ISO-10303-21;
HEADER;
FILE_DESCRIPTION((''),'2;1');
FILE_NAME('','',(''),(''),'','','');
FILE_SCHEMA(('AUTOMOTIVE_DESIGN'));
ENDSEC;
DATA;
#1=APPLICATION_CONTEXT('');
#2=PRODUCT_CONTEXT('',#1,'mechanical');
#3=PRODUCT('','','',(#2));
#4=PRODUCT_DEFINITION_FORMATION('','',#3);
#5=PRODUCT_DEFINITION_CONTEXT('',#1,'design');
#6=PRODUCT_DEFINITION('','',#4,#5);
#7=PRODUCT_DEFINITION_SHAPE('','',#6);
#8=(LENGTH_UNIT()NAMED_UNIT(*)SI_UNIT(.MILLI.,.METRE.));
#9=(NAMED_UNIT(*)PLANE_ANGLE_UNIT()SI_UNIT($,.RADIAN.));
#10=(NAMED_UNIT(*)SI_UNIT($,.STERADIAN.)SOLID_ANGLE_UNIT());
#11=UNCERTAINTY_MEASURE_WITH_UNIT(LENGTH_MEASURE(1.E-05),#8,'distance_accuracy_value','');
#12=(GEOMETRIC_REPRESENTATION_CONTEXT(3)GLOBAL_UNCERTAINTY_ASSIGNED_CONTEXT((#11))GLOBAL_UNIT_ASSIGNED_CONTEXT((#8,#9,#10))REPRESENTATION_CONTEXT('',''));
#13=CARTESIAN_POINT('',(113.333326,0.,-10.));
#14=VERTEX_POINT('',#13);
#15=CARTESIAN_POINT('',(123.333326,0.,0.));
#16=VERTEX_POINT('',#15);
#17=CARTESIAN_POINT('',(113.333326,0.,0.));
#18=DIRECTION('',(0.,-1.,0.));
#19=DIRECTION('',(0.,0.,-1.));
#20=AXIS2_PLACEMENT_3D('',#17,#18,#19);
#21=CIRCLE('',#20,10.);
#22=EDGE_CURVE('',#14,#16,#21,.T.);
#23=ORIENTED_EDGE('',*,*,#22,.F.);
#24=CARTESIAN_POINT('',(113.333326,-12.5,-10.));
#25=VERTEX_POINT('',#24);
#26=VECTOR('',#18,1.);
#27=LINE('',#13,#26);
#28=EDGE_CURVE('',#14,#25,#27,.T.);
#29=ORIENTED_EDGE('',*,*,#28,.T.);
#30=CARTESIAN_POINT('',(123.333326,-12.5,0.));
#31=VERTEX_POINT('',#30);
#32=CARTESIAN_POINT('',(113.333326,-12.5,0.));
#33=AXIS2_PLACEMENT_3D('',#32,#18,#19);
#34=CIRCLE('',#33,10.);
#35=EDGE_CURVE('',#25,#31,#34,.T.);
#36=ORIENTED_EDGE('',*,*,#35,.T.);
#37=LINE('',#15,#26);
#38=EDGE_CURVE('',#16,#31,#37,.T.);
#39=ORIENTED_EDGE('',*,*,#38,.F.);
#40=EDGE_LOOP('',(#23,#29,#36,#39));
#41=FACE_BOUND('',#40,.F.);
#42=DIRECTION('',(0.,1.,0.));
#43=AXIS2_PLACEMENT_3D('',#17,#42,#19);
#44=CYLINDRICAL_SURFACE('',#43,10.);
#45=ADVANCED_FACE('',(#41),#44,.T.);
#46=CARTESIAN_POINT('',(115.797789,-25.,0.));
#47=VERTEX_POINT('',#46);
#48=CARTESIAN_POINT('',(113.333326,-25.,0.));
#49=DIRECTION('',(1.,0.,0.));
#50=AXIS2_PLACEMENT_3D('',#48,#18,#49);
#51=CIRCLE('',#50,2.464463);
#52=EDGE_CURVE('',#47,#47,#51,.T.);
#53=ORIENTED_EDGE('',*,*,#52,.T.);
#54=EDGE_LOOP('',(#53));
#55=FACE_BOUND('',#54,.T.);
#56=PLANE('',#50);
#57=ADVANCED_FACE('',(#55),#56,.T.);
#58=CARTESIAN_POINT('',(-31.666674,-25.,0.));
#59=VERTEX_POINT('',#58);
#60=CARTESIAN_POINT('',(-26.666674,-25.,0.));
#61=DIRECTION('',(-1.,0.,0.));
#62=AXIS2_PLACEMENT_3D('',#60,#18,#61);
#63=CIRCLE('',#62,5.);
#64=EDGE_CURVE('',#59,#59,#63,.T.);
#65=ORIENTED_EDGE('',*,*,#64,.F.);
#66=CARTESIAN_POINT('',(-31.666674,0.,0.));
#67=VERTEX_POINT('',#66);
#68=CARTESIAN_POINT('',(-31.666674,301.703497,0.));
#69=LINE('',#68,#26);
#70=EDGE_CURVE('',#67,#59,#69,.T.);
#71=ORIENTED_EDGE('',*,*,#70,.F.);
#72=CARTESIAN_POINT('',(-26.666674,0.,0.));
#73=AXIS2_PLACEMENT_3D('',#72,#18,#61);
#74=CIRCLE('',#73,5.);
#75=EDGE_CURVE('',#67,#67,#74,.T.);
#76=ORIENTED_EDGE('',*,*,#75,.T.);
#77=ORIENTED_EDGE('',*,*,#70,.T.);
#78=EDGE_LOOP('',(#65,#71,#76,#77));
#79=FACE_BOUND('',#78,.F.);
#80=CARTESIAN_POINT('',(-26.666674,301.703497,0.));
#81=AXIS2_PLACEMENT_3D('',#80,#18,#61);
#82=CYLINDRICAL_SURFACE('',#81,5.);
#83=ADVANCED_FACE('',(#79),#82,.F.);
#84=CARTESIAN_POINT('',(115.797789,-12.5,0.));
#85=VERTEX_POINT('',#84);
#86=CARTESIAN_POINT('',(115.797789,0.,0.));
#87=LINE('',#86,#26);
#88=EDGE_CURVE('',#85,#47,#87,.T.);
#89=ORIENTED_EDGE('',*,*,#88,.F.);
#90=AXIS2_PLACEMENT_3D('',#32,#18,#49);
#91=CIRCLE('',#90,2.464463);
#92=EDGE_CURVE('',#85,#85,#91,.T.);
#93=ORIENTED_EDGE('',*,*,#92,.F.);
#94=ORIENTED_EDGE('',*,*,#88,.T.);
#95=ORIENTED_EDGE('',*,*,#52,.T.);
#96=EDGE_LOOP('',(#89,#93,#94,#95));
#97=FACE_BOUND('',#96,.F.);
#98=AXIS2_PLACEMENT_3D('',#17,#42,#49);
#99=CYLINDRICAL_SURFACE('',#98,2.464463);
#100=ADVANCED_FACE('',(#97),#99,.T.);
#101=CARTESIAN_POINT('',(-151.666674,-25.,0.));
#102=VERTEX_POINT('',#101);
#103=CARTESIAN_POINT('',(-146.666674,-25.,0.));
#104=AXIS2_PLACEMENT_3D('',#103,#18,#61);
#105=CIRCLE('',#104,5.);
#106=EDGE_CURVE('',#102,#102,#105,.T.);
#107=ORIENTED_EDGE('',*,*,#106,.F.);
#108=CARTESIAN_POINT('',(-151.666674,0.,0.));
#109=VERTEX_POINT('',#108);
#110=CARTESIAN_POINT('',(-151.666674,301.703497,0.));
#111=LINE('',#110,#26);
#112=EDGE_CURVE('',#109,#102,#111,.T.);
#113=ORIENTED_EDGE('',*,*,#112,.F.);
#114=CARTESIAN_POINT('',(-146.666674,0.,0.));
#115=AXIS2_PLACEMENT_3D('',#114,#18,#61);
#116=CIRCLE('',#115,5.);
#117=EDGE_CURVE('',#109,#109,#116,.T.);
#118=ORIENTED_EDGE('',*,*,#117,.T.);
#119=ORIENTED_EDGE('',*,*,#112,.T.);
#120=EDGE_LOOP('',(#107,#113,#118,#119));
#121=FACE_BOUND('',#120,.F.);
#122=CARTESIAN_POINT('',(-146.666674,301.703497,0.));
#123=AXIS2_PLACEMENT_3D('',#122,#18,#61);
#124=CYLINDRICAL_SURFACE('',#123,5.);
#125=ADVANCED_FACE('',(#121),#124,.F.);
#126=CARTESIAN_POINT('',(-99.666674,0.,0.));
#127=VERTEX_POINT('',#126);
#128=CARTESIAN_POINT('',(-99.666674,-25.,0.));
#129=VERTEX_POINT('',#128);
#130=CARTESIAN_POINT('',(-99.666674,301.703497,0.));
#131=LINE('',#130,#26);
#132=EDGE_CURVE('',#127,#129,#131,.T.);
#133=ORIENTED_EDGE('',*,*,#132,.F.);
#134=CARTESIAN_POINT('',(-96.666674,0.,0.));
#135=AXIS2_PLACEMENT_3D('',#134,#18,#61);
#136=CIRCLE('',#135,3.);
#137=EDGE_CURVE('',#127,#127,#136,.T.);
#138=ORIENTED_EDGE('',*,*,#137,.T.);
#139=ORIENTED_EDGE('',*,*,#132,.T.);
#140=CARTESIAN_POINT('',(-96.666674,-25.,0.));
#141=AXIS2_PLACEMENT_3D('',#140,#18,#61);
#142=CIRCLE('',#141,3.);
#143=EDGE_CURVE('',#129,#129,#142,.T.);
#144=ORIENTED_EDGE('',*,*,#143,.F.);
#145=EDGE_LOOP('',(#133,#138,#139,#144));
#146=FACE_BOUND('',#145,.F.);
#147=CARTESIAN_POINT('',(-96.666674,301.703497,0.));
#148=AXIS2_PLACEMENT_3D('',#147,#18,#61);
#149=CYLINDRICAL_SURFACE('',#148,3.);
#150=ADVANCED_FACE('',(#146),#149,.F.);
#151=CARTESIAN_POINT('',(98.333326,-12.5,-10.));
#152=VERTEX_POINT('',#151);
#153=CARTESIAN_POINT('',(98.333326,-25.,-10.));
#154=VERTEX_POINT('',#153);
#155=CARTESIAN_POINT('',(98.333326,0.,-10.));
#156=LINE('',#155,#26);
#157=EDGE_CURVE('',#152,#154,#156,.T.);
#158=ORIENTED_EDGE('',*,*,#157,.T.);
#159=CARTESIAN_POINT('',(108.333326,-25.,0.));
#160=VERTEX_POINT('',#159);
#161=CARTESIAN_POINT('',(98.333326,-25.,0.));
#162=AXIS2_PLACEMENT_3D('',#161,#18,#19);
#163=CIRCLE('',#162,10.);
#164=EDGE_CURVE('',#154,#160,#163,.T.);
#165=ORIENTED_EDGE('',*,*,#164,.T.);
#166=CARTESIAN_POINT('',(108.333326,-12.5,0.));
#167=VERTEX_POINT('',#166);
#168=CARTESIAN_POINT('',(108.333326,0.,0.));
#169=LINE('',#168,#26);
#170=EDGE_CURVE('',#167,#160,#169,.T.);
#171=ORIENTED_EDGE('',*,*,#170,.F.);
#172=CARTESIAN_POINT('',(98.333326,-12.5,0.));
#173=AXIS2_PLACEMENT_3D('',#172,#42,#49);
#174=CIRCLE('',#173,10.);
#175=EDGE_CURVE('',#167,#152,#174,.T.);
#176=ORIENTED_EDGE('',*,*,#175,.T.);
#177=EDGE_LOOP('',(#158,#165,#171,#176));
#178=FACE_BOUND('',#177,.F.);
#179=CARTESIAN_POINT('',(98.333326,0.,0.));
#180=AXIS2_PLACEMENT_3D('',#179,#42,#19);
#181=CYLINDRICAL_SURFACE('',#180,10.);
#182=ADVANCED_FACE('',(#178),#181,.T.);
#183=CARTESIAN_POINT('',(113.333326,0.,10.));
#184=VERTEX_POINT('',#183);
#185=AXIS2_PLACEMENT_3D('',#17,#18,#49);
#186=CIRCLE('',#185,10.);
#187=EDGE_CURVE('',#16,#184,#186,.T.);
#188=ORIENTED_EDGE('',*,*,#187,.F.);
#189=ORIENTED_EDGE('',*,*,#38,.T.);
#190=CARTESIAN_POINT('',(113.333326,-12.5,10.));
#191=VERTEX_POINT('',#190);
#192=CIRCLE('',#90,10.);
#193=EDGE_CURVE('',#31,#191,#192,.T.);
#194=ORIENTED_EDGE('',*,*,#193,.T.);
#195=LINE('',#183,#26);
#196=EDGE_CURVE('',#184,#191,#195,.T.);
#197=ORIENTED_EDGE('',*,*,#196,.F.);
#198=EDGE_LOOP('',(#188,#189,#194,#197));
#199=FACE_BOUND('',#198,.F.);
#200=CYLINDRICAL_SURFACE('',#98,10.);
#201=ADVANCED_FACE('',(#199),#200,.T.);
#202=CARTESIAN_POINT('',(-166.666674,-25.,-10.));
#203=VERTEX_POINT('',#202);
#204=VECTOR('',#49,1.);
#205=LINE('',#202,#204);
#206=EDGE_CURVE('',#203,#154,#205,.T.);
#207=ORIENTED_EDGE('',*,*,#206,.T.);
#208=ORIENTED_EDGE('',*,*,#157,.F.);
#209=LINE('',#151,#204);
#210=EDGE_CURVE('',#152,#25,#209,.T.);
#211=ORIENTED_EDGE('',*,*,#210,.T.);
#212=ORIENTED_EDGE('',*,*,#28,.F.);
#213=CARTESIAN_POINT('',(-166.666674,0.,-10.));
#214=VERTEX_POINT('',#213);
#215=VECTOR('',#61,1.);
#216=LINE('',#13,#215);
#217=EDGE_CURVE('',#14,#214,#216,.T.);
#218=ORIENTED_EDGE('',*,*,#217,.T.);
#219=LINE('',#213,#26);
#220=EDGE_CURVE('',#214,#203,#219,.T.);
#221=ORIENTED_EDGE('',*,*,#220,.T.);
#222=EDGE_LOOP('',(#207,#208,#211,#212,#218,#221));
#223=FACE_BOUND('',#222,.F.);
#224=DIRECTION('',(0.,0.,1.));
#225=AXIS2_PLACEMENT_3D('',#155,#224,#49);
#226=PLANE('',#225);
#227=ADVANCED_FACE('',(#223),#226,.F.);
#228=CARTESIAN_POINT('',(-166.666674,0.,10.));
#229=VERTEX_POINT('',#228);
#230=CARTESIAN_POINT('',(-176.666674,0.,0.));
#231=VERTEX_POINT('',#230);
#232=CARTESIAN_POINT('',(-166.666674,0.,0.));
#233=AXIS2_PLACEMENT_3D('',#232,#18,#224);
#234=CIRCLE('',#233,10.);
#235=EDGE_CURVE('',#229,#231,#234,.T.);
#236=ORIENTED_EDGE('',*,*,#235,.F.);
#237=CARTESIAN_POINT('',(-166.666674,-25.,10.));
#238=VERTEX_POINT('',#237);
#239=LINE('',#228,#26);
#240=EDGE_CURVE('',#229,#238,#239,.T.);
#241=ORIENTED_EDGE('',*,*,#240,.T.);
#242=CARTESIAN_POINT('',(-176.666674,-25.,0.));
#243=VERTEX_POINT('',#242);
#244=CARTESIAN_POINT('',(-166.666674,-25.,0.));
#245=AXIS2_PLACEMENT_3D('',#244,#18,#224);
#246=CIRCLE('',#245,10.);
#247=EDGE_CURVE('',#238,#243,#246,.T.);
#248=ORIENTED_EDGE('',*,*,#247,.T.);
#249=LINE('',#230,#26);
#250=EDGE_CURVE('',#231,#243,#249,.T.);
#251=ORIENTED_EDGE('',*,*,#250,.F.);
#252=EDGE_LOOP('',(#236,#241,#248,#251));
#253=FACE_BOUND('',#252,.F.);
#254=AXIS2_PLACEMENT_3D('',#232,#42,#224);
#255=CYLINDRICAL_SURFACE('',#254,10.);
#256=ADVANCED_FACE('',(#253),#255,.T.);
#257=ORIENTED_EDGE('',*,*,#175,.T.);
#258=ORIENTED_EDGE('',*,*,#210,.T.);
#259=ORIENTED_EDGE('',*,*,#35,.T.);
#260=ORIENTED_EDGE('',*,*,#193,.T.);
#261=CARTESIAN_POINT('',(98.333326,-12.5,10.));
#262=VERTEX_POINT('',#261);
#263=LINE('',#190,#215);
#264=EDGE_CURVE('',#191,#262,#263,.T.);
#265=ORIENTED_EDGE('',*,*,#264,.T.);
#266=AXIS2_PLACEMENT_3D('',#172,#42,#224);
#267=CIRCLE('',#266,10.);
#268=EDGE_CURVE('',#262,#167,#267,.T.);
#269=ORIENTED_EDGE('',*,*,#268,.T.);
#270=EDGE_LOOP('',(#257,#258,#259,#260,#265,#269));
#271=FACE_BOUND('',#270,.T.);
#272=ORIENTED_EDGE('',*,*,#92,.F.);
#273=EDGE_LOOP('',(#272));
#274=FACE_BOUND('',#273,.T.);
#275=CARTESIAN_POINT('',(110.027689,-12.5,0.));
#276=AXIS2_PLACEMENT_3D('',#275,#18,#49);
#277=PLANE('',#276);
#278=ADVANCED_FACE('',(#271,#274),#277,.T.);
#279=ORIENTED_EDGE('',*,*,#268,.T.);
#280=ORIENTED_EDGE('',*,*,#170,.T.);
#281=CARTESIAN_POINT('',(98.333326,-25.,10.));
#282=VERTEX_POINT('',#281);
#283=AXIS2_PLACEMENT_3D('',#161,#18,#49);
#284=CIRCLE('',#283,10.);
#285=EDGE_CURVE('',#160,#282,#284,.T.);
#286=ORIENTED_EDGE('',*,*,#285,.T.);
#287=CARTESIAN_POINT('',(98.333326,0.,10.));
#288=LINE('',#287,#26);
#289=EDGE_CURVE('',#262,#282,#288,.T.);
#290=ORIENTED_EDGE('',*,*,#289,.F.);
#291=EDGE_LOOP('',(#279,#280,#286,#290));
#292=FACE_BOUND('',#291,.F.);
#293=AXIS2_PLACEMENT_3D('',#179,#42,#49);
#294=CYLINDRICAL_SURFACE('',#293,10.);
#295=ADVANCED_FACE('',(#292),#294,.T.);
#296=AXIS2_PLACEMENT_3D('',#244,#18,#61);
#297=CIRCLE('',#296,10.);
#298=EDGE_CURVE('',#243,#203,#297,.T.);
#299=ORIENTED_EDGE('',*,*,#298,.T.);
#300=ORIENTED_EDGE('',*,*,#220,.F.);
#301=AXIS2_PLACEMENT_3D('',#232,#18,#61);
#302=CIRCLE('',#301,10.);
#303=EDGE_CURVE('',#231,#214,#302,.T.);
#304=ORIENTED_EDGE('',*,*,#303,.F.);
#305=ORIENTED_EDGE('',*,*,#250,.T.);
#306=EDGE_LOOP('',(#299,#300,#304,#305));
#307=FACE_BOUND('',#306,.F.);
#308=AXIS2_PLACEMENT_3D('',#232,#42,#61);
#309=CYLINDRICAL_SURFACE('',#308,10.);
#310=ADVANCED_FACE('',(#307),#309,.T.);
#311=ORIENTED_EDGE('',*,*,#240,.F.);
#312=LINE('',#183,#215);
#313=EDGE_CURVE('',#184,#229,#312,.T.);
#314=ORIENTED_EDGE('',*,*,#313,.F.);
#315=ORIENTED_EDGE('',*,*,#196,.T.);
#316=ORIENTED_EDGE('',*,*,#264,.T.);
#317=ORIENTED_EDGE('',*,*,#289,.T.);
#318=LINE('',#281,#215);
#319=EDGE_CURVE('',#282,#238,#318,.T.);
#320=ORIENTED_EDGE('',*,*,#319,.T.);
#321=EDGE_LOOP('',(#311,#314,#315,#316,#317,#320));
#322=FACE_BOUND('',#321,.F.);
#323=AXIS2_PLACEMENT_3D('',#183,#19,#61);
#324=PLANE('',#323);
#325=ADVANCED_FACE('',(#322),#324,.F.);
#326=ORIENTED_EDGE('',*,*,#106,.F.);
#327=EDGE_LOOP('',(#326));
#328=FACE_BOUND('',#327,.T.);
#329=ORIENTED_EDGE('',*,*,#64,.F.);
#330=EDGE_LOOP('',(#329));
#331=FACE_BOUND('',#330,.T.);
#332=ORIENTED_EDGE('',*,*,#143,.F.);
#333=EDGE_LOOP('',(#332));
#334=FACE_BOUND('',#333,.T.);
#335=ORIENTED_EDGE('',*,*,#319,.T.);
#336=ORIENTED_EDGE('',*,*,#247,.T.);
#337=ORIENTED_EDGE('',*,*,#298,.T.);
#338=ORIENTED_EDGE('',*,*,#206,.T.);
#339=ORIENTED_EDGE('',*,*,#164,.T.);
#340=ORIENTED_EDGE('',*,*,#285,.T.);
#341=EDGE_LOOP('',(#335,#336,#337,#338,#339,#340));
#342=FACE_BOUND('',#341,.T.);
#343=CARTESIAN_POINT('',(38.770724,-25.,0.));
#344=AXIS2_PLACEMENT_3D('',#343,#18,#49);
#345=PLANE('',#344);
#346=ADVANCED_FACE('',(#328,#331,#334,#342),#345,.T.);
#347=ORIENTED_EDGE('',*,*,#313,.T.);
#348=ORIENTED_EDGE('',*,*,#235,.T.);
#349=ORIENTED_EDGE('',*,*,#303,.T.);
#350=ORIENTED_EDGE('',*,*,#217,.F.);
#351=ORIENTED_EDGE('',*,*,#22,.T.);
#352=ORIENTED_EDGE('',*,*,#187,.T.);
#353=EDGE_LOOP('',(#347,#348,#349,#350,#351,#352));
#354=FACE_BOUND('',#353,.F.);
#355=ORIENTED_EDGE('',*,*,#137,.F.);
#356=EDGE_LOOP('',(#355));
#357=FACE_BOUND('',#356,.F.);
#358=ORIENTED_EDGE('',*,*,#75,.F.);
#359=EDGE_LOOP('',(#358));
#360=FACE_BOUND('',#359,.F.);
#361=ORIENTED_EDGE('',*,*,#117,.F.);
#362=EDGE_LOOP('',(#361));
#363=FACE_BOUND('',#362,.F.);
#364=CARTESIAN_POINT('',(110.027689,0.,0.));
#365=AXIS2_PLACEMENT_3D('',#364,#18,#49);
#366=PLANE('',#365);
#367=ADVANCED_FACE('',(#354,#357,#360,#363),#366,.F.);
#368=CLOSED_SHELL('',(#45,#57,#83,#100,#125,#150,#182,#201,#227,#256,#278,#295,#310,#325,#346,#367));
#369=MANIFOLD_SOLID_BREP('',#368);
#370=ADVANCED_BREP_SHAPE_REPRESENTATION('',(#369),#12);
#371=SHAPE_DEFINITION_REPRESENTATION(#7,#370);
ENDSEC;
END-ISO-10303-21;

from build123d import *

# Parameters (mm, degrees)
F0_W     = 50
F0_H     = 10
F0_W_2   = 70
F1_DEPTH = 25
F0_R     = 2.4644634523
F2_DEPTH = 12.5
F3_D     = 10
F4_D     = 10
F5_D     = 6


with BuildPart() as f1:
    # F0 (on Front) → F1 (new body)
    with BuildSketch(Plane.XZ):
        with BuildLine():
            Line((98.3333257594, 10), (-26.6666742406, 10))
            Line((-26.6666742406, 10), (-26.6666742406, 0))
            Line((-26.6666742406, 0), (-26.6666742406, -10))
            Line((-26.6666742406, -10), (98.3333257594, -10))
            ThreePointArc((98.3333257594, -10), (105.4043935713, -7.0710678119), (108.3333257594, 0))
            ThreePointArc((108.3333257594, 0), (105.4043935713, 7.0710678119), (98.3333257594, 10))
        make_face()
        with BuildLine():
            Line((-146.6666742406, 10), (-166.6666742406, 10))
            ThreePointArc((-166.6666742406, 10), (-173.7377420524, 7.0710678119), (-176.6666742406, 0))
            Line((-176.6666742406, 0), (-146.6666742406, 0))
            Line((-146.6666742406, 0), (-146.6666742406, 10))
        make_face()
        with BuildLine():
            Line((-146.6666742406, 0), (-176.6666742406, 0))
            ThreePointArc((-176.6666742406, 0), (-173.7377420524, -7.0710678119), (-166.6666742406, -10))
            Line((-166.6666742406, -10), (-146.6666742406, -10))
            Line((-146.6666742406, -10), (-146.6666742406, 0))
        make_face()
        with Locations((-121.6666742406, -5)):
            Rectangle(F0_W, F0_H)
        with Locations((-61.6666742406, -5)):
            Rectangle(F0_W_2, F0_H)
        with Locations((-121.6666742406, 5)):
            Rectangle(F0_W, F0_H)
        with Locations((-61.6666742406, 5)):
            Rectangle(F0_W_2, F0_H)
    extrude(amount=F1_DEPTH)



with BuildPart() as f1b:
    # F0 (on Front) → F1, piece 2 (new body)
    with BuildSketch(Plane.XZ):
        with Locations((113.3333257594, 0)):
            Circle(F0_R)
    extrude(amount=F1_DEPTH)


with BuildPart() as f1_1:
    add(f1.part)

    add(f1b.part)  # F2 merges F1b
    # F0 (on Front) → F2 (join)
    with BuildSketch(Plane.XZ):
        with BuildLine():
            Line((113.3333257594, 10), (98.3333257594, 10))
            ThreePointArc((98.3333257594, 10), (105.4043935713, 7.0710678119), (108.3333257594, 0))
            ThreePointArc((108.3333257594, 0), (105.4043935713, -7.0710678119), (98.3333257594, -10))
            Line((98.3333257594, -10), (113.3333257594, -10))
            ThreePointArc((113.3333257594, -10), (120.4043935713, -7.0710678119), (123.3333257594, 0))
            ThreePointArc((123.3333257594, 0), (120.4043935713, 7.0710678119), (113.3333257594, 10))
        make_face()
        with Locations((113.3333257594, 0)):
            Circle(F0_R, mode=Mode.SUBTRACT)
    extrude(amount=F2_DEPTH)

    # F3 (through all)
    with Locations(Plane(origin=(0, 0, 0), x_dir=(1, 0, 0), z_dir=(0, 1, 0))):
        with Locations((-146.6666742406, 0)):
            Hole(F3_D / 2)

    # F4 (through all)
    with Locations(Plane(origin=(0, 0, 0), x_dir=(1, 0, 0), z_dir=(0, 1, 0))):
        with Locations((-26.6666742406, 0)):
            Hole(F4_D / 2)

    # F5 (through all)
    with Locations(Plane(origin=(0, 0, 0), x_dir=(1, 0, 0), z_dir=(0, 1, 0))):
        with Locations((-96.6666742406, 0)):
            Hole(F5_D / 2)


solid = f1_1.part
